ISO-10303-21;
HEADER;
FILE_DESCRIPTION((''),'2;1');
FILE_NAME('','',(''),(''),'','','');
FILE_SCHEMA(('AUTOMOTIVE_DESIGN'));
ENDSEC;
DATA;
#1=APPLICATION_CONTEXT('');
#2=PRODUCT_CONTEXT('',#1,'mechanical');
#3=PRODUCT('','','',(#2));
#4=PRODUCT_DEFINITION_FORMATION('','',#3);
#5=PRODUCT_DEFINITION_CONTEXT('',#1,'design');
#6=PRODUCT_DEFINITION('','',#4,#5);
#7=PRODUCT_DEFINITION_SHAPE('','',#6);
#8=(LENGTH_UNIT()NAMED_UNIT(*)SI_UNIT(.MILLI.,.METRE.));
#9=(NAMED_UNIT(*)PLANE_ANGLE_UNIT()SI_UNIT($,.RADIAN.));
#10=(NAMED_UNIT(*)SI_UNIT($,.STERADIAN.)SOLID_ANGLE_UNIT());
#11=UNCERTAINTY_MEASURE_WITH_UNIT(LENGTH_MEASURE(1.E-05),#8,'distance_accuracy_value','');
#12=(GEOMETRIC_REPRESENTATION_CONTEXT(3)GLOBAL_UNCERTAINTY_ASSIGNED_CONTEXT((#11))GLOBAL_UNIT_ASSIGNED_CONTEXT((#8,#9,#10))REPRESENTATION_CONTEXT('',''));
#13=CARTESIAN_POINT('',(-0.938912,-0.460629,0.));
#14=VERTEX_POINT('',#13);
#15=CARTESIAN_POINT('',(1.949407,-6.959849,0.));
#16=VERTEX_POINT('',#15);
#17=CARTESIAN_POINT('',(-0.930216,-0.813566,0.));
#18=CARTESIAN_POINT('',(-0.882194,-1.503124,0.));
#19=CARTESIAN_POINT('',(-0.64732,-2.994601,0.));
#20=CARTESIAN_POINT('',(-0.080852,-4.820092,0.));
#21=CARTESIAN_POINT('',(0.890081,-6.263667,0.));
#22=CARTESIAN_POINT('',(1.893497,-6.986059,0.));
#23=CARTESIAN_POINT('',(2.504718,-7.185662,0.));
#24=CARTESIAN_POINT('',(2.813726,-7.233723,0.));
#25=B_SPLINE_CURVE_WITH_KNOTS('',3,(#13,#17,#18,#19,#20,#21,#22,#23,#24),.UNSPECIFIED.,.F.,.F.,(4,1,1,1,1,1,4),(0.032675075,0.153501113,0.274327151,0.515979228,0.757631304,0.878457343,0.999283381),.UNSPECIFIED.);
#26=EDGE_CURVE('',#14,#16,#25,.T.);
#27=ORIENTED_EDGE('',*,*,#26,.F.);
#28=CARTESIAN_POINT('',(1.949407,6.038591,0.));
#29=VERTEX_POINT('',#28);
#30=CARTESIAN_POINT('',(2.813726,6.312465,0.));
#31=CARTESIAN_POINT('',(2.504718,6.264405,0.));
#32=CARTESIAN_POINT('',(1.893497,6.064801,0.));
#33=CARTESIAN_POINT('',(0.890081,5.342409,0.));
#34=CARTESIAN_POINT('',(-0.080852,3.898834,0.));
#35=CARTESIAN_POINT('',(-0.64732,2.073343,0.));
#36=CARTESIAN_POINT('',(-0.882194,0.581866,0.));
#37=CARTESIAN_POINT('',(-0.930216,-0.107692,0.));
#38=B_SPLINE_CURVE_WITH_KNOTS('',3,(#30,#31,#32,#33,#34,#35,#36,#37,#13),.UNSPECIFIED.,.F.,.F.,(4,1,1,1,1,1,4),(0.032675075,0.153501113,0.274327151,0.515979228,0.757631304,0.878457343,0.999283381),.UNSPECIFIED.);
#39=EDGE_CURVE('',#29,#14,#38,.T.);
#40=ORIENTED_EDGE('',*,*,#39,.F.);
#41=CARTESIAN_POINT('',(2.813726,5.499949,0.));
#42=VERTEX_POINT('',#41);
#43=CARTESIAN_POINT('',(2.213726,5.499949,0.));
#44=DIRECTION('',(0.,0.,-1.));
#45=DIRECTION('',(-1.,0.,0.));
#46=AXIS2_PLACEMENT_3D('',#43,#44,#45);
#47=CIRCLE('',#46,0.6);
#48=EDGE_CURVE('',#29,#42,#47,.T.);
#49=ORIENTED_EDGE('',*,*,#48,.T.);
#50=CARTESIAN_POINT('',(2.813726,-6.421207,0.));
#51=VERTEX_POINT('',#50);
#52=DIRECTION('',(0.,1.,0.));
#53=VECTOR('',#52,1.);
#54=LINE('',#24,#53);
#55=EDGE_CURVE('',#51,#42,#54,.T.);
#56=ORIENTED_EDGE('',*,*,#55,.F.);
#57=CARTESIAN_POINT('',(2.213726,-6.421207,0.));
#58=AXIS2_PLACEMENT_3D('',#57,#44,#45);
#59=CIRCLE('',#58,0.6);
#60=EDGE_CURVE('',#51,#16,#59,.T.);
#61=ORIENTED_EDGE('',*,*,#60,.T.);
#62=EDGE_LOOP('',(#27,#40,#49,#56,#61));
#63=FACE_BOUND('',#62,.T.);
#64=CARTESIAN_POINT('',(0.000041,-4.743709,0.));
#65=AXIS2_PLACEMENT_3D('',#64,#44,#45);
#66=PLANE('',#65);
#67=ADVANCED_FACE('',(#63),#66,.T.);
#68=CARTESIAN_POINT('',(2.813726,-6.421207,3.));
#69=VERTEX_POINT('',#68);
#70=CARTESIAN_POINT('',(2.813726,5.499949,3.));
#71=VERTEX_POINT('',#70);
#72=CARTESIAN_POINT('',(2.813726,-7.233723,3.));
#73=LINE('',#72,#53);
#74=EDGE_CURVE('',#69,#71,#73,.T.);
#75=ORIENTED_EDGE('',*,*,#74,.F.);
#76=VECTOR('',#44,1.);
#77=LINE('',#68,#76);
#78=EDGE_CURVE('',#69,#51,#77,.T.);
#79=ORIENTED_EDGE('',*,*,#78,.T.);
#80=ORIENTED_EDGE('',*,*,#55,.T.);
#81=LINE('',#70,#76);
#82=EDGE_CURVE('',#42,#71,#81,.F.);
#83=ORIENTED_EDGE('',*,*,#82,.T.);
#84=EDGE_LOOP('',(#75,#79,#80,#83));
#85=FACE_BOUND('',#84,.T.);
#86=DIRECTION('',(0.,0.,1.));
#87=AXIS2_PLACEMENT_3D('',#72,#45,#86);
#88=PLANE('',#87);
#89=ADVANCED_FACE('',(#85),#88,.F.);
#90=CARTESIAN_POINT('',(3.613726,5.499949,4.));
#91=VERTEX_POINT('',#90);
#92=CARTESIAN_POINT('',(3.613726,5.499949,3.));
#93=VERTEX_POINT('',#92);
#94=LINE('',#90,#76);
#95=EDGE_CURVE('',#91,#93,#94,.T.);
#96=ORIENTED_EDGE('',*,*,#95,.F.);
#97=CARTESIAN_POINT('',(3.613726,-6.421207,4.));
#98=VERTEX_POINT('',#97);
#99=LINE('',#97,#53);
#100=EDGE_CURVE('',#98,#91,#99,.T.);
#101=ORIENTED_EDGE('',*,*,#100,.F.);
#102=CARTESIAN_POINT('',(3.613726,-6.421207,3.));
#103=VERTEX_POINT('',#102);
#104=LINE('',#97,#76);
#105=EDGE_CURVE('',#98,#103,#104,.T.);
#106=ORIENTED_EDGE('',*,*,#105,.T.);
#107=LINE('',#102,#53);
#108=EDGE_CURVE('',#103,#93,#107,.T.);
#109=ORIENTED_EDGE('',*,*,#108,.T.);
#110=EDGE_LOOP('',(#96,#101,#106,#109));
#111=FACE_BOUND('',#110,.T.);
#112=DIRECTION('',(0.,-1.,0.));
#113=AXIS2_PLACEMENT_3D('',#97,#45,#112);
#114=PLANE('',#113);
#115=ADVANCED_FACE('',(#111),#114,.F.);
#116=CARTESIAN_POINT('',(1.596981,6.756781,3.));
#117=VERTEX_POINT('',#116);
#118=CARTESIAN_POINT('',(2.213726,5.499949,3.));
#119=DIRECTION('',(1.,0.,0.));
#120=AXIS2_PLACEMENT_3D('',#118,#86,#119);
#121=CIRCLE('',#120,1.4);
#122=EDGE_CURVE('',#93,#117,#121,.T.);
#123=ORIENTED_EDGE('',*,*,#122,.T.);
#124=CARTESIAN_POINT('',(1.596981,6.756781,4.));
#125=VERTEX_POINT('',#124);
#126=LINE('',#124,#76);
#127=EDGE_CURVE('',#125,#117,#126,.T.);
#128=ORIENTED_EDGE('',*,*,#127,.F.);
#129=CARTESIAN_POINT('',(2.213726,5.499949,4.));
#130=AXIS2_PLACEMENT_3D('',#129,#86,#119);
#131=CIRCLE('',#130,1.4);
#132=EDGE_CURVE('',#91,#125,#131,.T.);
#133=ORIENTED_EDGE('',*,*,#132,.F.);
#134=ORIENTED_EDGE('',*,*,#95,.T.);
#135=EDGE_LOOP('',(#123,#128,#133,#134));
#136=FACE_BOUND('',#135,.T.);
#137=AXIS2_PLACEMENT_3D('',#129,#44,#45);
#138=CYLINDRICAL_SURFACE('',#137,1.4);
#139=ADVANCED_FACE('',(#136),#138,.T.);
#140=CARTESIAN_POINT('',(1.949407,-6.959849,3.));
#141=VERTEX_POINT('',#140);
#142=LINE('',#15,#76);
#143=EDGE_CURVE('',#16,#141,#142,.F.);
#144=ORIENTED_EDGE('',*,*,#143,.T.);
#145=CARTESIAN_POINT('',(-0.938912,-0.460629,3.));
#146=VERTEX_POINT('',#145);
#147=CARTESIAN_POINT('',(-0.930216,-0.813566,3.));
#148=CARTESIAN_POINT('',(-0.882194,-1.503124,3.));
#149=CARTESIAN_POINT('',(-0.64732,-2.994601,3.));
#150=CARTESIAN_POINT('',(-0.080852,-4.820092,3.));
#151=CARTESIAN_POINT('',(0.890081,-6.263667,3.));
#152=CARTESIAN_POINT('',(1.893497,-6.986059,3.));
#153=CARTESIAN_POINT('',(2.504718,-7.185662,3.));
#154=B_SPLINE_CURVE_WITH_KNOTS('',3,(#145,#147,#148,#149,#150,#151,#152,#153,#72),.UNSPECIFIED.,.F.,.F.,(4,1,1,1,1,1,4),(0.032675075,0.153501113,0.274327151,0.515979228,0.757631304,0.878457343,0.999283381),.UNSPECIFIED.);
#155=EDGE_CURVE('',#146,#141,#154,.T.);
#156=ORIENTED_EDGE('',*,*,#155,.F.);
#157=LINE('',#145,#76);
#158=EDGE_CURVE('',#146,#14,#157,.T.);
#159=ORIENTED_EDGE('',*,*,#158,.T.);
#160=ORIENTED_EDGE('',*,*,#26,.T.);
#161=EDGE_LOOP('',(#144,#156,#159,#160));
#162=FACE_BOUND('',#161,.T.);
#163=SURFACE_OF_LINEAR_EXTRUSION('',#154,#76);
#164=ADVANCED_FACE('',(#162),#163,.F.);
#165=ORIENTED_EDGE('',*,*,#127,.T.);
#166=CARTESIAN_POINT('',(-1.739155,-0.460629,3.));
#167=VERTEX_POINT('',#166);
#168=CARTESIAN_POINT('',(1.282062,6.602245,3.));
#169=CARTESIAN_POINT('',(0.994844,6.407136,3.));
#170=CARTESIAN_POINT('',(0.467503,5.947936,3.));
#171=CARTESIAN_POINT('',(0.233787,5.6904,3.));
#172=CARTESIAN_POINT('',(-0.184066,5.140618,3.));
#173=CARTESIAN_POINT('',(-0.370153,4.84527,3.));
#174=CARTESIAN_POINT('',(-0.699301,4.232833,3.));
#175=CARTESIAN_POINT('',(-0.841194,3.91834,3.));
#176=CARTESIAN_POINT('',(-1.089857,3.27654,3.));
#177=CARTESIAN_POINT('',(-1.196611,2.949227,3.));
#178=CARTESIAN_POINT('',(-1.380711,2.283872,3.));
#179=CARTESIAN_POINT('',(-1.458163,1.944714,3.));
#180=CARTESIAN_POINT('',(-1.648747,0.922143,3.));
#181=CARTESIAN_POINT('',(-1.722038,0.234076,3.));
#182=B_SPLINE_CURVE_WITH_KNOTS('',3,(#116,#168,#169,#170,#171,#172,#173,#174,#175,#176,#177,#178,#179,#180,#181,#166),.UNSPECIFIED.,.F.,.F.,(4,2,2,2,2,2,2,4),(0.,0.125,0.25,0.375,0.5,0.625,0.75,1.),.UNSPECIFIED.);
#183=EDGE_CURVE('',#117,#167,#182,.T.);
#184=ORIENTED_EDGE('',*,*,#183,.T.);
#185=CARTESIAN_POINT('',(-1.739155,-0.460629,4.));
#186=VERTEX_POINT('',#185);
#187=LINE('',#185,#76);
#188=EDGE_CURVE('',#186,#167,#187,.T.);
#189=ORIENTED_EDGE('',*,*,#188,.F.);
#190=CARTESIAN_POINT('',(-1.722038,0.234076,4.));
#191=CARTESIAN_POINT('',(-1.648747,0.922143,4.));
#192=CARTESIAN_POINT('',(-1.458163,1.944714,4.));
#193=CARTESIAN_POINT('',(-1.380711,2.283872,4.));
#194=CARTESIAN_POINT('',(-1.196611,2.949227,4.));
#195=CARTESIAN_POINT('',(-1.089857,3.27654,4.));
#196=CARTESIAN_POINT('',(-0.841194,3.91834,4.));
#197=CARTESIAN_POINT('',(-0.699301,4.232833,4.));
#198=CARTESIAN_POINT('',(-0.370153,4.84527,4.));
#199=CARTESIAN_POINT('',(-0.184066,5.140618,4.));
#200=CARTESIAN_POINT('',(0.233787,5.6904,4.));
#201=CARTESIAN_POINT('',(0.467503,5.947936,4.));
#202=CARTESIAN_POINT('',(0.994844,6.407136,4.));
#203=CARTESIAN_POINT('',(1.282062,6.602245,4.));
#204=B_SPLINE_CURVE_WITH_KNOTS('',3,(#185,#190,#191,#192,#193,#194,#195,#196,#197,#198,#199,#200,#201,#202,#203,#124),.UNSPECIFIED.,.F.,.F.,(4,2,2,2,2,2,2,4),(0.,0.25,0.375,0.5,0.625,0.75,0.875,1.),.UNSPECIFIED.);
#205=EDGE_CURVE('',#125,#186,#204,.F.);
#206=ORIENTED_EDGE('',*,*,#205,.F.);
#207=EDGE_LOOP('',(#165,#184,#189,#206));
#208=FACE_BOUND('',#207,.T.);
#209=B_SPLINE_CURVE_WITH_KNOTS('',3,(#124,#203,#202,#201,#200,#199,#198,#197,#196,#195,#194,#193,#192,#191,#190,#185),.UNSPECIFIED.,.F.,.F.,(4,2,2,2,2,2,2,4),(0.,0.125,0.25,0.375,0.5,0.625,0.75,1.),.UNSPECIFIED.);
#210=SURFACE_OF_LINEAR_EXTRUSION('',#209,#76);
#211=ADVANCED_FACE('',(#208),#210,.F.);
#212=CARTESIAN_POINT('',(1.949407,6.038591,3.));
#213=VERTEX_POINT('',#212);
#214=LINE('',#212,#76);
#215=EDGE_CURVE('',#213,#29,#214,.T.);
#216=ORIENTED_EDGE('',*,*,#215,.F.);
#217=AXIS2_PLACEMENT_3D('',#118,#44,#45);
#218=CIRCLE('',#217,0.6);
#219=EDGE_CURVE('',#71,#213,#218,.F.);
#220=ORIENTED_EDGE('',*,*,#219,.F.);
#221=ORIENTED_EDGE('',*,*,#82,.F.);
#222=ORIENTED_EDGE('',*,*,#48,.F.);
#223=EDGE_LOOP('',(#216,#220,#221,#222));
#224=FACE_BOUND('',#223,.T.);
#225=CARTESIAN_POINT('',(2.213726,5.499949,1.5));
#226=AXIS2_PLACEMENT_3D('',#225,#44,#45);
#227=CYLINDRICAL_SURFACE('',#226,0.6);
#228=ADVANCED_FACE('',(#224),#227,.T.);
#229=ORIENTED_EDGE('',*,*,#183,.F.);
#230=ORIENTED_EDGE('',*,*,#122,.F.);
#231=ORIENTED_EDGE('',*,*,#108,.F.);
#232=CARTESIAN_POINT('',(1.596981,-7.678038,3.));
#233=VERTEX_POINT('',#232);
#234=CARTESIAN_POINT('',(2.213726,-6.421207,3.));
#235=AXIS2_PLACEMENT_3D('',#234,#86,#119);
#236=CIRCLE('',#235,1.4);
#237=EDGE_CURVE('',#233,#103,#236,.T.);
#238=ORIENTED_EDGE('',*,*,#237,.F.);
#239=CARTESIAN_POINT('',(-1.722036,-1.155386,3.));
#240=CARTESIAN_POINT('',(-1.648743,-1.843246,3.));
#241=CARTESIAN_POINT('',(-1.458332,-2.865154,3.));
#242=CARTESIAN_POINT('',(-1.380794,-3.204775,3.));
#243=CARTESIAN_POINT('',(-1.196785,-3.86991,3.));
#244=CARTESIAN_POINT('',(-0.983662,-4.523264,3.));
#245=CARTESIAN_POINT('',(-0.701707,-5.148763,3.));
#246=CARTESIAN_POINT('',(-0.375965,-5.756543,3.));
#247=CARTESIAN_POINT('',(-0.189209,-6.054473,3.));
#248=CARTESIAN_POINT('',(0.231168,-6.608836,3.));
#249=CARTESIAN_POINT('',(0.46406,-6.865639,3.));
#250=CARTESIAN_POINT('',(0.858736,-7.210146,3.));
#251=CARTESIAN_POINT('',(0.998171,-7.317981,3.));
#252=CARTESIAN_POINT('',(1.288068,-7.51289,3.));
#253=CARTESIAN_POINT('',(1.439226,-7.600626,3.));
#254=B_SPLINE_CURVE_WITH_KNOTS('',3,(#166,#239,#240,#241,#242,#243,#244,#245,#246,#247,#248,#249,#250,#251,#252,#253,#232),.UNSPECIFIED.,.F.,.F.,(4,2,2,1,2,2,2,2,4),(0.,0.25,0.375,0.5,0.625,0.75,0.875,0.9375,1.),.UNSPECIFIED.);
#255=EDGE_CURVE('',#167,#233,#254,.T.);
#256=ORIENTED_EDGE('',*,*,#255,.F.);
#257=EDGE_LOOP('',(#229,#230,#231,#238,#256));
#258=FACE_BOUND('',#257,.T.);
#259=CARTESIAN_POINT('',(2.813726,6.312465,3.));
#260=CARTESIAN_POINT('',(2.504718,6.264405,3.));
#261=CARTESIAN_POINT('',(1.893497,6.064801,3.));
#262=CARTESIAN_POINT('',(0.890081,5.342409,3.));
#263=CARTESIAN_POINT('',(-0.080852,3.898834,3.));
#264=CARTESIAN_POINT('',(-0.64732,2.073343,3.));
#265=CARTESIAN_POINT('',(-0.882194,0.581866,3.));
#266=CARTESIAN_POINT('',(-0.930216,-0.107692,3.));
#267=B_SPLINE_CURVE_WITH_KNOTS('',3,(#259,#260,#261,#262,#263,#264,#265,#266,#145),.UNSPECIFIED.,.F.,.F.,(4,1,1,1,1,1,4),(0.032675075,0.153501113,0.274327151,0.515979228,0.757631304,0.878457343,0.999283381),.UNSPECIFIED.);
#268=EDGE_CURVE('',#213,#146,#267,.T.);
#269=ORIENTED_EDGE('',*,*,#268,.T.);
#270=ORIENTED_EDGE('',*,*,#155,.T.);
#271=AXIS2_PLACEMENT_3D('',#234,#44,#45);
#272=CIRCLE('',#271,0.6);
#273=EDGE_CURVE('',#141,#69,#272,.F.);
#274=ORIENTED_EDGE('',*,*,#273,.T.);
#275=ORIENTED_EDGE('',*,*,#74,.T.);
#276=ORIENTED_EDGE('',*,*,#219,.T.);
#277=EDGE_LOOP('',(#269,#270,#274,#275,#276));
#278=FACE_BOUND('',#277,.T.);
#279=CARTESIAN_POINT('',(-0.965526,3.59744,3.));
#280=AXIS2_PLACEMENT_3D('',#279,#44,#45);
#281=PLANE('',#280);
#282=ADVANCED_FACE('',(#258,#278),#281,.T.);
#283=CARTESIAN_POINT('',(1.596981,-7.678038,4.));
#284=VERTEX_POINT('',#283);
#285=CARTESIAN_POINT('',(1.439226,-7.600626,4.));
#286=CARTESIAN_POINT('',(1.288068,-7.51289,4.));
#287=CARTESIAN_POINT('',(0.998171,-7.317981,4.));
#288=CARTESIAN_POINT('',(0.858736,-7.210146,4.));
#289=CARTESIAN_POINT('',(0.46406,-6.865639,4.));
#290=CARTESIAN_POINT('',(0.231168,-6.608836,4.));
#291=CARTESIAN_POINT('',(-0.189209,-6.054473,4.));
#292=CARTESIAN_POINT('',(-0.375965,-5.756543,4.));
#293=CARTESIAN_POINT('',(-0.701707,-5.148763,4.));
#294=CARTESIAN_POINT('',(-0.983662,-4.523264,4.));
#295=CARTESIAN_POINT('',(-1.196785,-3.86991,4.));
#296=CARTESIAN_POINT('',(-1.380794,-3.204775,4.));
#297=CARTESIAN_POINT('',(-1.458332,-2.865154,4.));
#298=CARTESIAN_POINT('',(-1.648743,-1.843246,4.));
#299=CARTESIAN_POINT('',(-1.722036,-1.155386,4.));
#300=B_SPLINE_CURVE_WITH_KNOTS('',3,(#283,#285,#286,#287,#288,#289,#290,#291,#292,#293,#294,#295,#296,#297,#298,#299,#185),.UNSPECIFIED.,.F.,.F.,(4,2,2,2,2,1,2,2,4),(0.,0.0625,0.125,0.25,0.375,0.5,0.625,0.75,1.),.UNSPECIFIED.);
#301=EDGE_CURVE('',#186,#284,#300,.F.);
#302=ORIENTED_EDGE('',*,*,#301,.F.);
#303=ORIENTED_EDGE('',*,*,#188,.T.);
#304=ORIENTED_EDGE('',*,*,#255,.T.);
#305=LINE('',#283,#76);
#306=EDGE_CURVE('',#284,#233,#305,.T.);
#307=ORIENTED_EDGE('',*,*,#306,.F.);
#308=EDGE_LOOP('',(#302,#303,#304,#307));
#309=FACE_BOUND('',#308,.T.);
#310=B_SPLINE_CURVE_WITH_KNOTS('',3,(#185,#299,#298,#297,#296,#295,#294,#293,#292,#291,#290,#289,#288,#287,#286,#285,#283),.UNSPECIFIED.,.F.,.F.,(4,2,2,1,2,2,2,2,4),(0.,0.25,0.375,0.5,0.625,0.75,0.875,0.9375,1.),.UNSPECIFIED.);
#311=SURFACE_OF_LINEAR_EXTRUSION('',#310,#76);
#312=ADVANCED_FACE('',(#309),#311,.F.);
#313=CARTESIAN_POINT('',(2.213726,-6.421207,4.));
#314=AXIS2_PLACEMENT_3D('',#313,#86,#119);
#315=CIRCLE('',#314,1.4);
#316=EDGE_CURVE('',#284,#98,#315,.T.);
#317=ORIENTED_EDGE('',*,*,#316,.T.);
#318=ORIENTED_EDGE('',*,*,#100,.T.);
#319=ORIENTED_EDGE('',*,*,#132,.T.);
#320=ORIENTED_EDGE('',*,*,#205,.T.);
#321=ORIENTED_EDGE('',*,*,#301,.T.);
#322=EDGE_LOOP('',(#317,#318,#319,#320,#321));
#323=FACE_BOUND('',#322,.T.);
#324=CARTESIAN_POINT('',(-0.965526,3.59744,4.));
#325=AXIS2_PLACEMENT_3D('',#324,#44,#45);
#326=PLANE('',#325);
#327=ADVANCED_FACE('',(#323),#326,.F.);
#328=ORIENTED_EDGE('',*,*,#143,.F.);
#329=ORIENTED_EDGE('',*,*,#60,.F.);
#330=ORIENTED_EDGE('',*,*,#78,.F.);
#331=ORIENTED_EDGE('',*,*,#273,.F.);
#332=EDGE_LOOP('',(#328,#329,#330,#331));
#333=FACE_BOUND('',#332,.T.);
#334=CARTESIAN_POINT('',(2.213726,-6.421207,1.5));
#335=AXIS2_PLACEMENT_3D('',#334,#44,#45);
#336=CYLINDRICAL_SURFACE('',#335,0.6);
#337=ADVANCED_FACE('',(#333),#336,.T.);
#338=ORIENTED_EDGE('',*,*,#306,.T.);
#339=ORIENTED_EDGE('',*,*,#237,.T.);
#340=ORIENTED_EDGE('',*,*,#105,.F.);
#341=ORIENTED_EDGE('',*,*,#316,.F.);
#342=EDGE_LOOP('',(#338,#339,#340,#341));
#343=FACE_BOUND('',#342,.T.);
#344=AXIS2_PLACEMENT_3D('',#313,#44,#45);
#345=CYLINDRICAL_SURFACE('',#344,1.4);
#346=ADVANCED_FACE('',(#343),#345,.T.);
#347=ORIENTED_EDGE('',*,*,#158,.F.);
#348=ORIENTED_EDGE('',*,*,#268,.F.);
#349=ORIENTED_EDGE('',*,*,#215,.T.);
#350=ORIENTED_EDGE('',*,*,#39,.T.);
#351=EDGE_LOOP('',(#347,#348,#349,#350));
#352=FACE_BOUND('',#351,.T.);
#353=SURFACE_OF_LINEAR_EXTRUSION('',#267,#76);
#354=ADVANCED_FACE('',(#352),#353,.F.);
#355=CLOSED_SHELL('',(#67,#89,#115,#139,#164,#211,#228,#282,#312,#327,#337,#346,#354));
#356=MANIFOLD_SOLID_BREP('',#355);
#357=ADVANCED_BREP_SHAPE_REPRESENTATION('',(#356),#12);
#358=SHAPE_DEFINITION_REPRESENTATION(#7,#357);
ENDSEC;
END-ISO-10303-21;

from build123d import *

# Parameters (mm, degrees)
BOSS_EXTRUDE1_DEPTH = 3
FILLET1_R           = 0.6
BOSS_EXTRUDE2_DEPTH = 1


with BuildPart() as part:
    # Sketch1 → Boss-Extrude1 (new body)
    with BuildSketch(Plane.XY):
        with BuildLine():
            Line((2.813726101, -7.233722886), (2.813726101, 6.312465104))
            add(Edge.make_bspline(
                [(2.813726101, 6.312465104), (2.504718004, 6.264404648), (1.893497156, 6.064800789), (0.890081325, 5.34240891), (-0.080852226, 3.898834313), (-0.647319625, 2.07334315), (-0.882193889, 0.581865897), (-0.93021587, -0.107691535), (-0.938912211, -0.460628891)],
                knots=[0.032675075, 0.032675075, 0.032675075, 0.032675075, 0.153501113, 0.274327151, 0.515979228, 0.757631304, 0.878457343, 0.999283381, 0.999283381, 0.999283381, 0.999283381], degree=3))
            add(Edge.make_bspline(
                [(-0.938912211, -0.460628891), (-0.93021587, -0.813566247), (-0.882193889, -1.503123679), (-0.647319625, -2.994600932), (-0.080852226, -4.820092095), (0.890081325, -6.263666692), (1.893497156, -6.986058571), (2.504718004, -7.18566243), (2.813726101, -7.233722886)],
                knots=[0.032675075, 0.032675075, 0.032675075, 0.032675075, 0.153501113, 0.274327151, 0.515979228, 0.757631304, 0.878457343, 0.999283381, 0.999283381, 0.999283381, 0.999283381], degree=3))
        make_face()
    extrude(amount=BOSS_EXTRUDE1_DEPTH)

    # Fillet1
    fillet1_edges = [part.edges().sort_by_distance(p)[0] for p in [
        (2.813726101, -7.233722886, 1.5),
        (2.813726101, 6.312465104, 1.5),
    ]]
    fillet(fillet1_edges, radius=FILLET1_R)

    # Sketch3 → Boss-Extrude2 (add)
    with BuildSketch(Plane.XY.offset(3)):
        with BuildLine():
            Line((3.613726101, -6.42120663), (3.613726101, 5.499948848))
            ThreePointArc((3.613726101, 5.499948848), (2.954184531, 6.688107639), (1.596981367, 6.756780552))
            add(Edge.make_bspline(
                [(1.596981367, 6.756780552), (1.282061762, 6.602245138), (0.994843741, 6.407135645), (0.467503364, 5.947936377), (0.233787218, 5.690400118), (-0.184066224, 5.140618178), (-0.370152574, 4.845270148), (-0.699300989, 4.232833375), (-0.841194277, 3.918340305), (-1.089857286, 3.276540027), (-1.196610753, 2.94922689), (-1.38071085, 2.283872115), (-1.458163179, 1.944713712), (-1.648747035, 0.922143409), (-1.722037558, 0.234076304), (-1.739155024, -0.460628891)],
                knots=[0, 0, 0, 0, 0.125, 0.125, 0.25, 0.25, 0.375, 0.375, 0.5, 0.5, 0.625, 0.625, 0.75, 0.75, 1, 1, 1, 1], degree=3))
            add(Edge.make_bspline(
                [(-1.739155024, -0.460628891), (-1.722036272, -1.15538629), (-1.648742974, -1.84324583), (-1.458332057, -2.865153843), (-1.380793827, -3.204774963), (-1.196784843, -3.869910467), (-0.98366247, -4.523264457), (-0.70170709, -5.148763327), (-0.375964944, -5.756542709), (-0.189209114, -6.054473312), (0.231167863, -6.608835903), (0.46405952, -6.865638613), (0.858736471, -7.210145529), (0.998171212, -7.317980735), (1.288068017, -7.512889958), (1.439226487, -7.600625828), (1.596981367, -7.678038334)],
                knots=[0, 0, 0, 0, 0.25, 0.25, 0.375, 0.375, 0.5, 0.625, 0.625, 0.75, 0.75, 0.875, 0.875, 0.9375, 0.9375, 1, 1, 1, 1], degree=3))
            ThreePointArc((1.596981367, -7.678038334), (2.954184531, -7.609365421), (3.613726101, -6.42120663))
        make_face()
    extrude(amount=BOSS_EXTRUDE2_DEPTH)


solid = part.part
